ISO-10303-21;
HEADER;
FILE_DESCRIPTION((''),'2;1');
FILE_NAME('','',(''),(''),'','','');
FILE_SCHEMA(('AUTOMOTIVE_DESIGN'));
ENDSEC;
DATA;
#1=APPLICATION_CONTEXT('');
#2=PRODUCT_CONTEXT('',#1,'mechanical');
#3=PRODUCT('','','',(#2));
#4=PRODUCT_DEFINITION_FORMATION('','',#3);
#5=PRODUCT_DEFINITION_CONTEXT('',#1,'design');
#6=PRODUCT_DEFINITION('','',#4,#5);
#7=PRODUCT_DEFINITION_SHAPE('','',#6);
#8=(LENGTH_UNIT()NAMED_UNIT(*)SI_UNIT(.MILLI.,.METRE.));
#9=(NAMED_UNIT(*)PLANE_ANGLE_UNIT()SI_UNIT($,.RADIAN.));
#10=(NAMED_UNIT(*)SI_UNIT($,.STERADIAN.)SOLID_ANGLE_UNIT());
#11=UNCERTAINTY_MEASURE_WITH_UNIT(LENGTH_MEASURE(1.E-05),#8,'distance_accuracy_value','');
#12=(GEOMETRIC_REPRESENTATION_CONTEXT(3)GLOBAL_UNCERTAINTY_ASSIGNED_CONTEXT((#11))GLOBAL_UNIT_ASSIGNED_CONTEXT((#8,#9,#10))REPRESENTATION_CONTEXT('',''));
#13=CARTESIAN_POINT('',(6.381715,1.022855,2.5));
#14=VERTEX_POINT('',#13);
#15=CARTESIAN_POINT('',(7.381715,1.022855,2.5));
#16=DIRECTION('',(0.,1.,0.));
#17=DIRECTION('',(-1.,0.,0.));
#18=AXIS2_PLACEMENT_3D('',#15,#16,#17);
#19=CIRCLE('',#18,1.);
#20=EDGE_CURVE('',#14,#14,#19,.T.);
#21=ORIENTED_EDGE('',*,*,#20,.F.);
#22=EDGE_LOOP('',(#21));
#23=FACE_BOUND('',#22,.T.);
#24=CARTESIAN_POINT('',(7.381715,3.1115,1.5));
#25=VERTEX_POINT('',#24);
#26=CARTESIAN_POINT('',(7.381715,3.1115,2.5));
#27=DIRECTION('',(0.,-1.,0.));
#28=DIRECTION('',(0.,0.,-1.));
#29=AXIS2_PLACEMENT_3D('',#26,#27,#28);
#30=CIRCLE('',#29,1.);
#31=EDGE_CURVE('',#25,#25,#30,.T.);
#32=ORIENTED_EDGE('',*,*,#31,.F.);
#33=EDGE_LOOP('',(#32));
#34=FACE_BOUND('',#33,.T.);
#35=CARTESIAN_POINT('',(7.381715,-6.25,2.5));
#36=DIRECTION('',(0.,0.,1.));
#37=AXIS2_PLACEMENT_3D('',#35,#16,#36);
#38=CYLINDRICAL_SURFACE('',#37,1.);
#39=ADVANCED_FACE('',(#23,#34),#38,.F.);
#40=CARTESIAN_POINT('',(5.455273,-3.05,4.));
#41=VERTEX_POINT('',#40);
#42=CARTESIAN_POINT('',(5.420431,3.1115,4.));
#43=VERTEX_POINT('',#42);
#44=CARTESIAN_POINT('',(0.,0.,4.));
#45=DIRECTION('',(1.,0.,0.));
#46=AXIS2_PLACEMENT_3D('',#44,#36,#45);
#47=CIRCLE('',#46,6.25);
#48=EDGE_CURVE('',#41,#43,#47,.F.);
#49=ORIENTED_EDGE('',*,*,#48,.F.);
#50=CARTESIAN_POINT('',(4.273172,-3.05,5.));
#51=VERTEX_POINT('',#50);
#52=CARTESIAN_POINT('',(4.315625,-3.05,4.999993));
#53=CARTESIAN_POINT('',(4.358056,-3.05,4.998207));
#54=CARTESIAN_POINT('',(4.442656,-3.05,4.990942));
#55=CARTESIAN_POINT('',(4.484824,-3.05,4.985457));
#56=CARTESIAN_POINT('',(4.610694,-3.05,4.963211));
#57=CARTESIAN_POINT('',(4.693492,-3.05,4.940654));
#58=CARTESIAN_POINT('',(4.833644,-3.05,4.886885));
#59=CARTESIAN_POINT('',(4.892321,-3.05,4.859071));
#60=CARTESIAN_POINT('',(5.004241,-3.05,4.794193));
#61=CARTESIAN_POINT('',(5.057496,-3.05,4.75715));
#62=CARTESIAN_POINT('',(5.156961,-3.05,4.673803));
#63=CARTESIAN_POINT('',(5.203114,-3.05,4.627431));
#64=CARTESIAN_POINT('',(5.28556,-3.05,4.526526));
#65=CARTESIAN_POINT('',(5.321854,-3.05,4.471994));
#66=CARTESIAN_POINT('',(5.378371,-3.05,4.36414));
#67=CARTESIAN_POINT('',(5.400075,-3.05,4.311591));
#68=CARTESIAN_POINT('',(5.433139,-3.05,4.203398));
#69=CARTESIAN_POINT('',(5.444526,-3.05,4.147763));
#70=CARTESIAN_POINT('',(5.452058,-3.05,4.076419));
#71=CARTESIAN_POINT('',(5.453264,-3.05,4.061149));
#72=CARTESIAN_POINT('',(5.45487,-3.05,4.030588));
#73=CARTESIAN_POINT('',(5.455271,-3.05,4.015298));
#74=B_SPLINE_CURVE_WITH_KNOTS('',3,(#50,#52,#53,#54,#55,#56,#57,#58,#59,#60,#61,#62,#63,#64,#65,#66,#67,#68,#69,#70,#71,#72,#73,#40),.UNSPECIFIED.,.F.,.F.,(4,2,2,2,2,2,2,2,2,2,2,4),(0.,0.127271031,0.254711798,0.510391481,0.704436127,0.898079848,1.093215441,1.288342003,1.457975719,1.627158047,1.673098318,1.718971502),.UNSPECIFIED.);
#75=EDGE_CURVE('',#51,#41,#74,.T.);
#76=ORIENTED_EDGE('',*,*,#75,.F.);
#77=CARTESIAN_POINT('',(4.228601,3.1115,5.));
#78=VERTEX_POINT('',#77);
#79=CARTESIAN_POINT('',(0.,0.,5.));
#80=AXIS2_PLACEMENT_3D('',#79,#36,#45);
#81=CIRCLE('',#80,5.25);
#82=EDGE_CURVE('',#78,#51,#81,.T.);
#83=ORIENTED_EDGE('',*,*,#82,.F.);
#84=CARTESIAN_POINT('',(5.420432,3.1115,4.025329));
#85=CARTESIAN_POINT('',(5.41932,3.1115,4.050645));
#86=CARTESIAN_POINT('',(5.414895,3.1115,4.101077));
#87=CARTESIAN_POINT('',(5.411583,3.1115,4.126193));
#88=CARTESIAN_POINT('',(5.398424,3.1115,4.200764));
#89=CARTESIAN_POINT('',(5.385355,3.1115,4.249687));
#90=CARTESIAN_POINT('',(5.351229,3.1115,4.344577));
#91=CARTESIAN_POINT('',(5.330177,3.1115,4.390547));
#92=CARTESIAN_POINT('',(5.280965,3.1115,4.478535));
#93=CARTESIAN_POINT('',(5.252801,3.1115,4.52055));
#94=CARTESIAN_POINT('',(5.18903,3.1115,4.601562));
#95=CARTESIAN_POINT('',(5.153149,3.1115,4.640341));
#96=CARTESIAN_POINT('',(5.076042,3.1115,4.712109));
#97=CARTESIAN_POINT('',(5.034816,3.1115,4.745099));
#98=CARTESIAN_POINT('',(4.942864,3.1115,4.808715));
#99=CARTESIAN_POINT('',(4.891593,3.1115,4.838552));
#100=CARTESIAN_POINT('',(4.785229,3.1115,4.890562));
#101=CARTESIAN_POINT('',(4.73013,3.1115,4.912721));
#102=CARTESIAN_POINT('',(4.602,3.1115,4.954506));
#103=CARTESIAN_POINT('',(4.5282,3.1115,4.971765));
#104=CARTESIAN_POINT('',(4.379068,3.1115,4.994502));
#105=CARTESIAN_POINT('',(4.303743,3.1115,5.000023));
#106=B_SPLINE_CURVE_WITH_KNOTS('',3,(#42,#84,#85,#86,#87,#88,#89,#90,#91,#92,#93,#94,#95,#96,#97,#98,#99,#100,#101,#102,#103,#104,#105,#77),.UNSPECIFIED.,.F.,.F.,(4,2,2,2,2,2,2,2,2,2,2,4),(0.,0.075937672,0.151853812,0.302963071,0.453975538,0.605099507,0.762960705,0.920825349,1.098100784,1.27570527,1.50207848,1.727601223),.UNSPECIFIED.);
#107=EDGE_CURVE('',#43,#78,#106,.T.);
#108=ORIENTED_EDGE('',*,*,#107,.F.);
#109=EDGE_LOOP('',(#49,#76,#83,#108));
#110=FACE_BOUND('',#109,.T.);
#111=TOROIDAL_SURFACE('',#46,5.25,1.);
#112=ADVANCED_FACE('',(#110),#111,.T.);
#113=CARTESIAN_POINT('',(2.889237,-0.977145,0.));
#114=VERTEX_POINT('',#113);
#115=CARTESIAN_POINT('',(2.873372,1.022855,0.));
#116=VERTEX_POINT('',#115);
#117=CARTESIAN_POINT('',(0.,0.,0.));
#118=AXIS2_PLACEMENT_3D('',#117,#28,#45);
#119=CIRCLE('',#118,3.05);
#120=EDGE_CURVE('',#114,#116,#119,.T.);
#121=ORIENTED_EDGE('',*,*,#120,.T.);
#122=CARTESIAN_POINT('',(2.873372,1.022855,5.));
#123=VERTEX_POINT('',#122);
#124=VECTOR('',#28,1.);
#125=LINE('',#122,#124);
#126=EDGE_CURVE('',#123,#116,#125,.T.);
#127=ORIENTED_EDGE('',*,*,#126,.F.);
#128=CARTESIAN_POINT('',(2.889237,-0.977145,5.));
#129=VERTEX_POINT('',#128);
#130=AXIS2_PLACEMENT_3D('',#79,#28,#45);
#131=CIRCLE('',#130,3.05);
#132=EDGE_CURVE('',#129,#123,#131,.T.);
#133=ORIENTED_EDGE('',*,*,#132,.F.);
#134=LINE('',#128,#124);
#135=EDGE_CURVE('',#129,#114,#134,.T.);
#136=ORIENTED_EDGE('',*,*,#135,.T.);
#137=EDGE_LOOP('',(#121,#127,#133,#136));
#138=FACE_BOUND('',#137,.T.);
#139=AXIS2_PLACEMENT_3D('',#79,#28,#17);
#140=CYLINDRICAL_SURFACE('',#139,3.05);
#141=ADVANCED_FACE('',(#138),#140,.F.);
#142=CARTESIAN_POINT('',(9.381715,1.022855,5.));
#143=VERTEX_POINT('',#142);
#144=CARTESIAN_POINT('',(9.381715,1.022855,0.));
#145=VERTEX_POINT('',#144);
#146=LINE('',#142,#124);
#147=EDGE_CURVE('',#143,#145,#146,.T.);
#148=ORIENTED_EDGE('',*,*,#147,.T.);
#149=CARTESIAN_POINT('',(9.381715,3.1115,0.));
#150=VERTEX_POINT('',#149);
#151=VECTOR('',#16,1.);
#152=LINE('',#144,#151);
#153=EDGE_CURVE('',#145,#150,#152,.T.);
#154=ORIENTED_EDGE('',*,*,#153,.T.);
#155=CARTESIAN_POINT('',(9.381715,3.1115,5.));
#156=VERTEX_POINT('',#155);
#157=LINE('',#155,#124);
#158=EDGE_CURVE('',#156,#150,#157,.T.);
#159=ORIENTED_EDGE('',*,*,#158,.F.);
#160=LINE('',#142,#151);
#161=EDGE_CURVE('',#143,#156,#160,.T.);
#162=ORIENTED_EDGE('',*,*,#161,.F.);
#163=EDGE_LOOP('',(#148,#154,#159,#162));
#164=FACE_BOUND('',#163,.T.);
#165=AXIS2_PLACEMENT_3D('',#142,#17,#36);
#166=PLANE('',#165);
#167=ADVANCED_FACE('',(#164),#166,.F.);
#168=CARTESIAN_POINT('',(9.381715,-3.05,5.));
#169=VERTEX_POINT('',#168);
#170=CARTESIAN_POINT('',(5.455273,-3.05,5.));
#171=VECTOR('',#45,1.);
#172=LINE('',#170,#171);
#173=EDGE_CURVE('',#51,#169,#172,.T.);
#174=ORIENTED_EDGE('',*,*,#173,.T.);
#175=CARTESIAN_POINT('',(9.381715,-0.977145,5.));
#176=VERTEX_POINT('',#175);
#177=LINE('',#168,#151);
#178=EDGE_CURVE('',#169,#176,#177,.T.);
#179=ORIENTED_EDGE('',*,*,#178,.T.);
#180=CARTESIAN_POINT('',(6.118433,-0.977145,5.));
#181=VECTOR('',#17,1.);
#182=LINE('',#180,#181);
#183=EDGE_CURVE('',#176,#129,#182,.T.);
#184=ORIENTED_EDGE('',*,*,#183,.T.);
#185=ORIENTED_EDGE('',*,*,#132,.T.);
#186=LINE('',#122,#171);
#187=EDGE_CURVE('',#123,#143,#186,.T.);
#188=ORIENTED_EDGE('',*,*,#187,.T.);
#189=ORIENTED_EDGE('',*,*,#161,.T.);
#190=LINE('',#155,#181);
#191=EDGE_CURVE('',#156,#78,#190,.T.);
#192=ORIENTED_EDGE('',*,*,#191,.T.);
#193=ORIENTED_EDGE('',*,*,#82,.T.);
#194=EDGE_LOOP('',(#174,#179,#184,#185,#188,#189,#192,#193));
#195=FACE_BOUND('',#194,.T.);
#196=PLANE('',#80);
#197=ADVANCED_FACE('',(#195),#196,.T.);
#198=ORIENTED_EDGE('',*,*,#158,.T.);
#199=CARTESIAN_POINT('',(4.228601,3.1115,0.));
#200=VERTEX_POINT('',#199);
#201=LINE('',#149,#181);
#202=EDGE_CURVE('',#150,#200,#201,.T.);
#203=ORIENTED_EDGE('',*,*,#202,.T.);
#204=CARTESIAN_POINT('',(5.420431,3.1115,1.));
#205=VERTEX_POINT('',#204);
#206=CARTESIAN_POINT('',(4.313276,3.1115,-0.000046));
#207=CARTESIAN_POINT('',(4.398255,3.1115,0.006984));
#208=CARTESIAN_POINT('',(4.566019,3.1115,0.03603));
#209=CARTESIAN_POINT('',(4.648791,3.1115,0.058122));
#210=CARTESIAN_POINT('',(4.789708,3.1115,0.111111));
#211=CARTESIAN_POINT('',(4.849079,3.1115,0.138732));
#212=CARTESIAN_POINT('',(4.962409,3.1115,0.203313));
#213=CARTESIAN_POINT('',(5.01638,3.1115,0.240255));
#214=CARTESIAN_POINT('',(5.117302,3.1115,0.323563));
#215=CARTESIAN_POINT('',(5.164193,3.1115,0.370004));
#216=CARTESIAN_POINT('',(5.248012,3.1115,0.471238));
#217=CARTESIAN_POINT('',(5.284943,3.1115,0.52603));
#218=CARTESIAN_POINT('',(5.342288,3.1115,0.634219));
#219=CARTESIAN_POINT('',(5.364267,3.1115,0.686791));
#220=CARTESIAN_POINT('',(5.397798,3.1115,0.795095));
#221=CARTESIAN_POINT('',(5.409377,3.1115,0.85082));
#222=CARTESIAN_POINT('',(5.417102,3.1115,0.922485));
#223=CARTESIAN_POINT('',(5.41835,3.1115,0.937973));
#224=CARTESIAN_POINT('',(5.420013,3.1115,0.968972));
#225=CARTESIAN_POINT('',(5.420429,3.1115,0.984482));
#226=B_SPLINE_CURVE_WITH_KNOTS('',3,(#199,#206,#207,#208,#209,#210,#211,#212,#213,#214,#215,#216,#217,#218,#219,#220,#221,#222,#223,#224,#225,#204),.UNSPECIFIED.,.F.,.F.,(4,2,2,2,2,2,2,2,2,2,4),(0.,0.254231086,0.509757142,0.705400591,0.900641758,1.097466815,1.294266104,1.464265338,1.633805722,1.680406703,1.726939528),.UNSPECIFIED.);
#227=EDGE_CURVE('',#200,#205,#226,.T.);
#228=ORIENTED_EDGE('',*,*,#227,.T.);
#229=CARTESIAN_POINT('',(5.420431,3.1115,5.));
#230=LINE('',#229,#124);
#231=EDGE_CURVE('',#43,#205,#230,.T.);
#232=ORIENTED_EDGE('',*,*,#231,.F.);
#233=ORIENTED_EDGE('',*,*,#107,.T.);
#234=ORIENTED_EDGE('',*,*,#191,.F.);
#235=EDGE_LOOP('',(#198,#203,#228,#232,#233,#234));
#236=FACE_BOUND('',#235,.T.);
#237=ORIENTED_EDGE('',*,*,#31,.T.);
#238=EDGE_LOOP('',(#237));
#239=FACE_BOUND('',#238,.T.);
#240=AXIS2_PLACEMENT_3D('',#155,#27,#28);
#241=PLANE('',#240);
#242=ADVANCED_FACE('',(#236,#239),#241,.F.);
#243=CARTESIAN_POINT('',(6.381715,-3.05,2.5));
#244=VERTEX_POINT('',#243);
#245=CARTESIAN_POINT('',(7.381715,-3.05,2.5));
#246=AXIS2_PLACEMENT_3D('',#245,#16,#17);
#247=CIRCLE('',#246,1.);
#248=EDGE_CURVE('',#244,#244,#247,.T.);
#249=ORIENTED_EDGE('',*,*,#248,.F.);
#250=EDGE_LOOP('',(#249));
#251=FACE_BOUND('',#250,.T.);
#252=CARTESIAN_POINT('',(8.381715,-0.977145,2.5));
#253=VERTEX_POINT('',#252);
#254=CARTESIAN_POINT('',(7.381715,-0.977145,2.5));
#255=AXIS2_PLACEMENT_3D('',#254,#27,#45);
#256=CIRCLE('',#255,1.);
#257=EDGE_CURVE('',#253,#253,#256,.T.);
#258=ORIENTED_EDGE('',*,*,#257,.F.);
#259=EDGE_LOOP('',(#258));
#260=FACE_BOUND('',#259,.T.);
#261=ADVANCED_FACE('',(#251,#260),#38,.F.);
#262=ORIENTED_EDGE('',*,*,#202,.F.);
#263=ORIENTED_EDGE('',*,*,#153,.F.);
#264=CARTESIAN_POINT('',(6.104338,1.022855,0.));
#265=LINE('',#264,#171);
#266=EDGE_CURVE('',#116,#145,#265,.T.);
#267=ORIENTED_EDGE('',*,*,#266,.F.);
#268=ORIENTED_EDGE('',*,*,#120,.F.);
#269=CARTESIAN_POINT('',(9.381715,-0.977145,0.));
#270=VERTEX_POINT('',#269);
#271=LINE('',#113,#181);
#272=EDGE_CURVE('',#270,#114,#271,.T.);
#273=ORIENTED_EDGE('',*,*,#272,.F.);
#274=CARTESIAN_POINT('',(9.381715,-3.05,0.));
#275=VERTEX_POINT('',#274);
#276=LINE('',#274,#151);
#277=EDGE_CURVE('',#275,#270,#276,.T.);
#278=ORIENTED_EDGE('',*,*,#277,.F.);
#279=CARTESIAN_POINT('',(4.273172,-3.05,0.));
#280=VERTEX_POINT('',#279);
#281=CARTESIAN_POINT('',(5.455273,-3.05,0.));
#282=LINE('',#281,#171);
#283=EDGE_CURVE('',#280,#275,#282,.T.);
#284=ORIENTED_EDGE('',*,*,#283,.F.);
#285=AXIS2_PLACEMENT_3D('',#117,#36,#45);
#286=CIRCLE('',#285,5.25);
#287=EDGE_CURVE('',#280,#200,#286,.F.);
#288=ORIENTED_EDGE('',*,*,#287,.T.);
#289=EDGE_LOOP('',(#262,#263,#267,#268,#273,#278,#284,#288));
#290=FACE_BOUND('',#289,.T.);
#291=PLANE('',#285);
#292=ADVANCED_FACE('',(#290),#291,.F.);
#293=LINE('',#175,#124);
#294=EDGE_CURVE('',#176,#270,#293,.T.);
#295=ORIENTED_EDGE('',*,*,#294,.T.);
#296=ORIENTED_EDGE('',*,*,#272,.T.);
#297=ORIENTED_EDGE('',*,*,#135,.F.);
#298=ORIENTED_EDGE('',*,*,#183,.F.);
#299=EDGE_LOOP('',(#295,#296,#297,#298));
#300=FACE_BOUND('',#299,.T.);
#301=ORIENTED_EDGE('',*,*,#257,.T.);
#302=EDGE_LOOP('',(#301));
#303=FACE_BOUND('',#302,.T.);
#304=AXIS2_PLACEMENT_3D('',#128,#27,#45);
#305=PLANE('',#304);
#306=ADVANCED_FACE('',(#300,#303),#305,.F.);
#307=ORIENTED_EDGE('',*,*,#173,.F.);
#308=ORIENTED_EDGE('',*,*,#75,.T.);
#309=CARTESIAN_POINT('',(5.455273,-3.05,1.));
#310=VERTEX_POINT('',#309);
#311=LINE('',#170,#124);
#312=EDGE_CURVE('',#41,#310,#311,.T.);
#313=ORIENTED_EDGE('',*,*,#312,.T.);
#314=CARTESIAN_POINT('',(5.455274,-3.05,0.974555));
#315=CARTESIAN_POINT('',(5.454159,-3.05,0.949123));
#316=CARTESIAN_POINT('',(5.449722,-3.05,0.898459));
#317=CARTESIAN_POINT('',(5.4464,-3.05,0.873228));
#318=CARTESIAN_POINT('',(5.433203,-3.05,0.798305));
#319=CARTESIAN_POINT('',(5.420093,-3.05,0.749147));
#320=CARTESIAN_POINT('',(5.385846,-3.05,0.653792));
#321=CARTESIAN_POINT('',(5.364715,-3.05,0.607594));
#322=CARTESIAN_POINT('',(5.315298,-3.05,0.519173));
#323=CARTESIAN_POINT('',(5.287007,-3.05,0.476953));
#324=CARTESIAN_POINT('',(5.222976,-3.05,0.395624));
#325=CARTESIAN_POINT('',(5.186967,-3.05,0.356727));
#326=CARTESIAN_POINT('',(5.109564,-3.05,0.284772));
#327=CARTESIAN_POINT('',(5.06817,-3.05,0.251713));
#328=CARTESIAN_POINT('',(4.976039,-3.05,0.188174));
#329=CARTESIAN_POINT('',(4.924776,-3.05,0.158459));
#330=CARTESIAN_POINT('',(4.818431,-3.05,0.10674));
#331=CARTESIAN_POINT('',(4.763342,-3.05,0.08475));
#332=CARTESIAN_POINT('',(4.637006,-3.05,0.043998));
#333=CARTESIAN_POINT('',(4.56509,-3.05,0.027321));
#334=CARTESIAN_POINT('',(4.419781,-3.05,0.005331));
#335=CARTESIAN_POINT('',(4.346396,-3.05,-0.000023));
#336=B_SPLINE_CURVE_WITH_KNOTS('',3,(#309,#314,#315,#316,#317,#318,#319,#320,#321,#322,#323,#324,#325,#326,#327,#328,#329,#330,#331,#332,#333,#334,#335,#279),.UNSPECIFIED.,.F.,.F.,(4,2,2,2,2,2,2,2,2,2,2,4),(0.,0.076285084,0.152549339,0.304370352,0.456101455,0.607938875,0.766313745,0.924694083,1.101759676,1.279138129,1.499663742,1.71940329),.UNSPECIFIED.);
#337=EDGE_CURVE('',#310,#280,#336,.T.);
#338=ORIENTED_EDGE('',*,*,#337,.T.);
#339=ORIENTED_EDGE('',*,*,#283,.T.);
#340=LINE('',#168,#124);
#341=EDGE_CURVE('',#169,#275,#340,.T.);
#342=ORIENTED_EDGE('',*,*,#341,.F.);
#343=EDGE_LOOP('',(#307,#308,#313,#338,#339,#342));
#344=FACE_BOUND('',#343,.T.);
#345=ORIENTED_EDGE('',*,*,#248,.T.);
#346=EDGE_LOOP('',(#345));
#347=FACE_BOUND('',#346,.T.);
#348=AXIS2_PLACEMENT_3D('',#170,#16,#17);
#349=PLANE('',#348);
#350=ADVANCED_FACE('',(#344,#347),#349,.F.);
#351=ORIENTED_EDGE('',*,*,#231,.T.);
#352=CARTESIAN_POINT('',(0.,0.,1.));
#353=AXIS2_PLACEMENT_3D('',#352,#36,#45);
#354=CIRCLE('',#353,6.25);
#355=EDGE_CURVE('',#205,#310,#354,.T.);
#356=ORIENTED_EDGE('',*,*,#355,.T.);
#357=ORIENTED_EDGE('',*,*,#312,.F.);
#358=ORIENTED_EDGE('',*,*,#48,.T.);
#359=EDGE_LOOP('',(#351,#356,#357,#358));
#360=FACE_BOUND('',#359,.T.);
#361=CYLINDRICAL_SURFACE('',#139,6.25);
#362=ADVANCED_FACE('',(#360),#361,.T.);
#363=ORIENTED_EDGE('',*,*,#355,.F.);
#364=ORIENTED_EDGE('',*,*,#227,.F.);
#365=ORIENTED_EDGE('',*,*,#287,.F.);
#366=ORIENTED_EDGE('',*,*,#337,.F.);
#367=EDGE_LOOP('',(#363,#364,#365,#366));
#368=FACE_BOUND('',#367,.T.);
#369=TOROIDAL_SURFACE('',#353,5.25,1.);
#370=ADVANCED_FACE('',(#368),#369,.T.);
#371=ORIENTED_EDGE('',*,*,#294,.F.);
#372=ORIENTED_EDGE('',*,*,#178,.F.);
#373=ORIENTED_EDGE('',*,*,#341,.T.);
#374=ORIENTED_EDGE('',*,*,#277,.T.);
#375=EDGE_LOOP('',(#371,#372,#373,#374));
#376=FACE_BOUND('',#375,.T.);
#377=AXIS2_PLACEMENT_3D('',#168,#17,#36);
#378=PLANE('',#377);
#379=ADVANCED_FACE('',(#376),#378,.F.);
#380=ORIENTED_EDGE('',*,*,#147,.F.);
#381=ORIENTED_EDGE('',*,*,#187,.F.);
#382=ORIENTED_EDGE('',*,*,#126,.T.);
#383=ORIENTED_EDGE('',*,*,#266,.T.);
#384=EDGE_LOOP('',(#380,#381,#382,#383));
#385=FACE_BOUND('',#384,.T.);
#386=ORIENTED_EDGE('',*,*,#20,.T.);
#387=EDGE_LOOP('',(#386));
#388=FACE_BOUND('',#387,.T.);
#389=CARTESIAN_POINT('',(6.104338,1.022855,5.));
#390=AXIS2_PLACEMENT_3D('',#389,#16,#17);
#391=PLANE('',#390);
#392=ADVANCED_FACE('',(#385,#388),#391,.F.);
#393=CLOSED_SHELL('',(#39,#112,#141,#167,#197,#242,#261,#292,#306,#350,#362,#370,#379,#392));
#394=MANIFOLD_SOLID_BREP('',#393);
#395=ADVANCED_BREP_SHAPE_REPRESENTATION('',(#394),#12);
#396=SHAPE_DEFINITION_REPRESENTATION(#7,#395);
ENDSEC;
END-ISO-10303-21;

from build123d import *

# Parameters (mm, degrees)
BOSS_EXTRUDE1_DEPTH     = 5
FILLET3_R               = 1
FILLET4_R               = 1
CUT_EXTRUDE1_DEPTH      = 13.854889966
CUT_EXTRUDE1_DEPTH_BACK = 13.854889966
SKETCH2_R               = 1


with BuildPart() as part:
    # Sketch1 → Boss-Extrude1 (new body)
    with BuildSketch(Plane(origin=(0, 0, 0), x_dir=(0, 1, 0), z_dir=(0, 0, 1))):
        with BuildLine():
            Line((-0.977144637, -2.88923664), (-0.977144637, -6.118433409))
            Line((-0.977144637, -6.118433409), (-0.977144637, -9.381714775))
            Line((-0.977144637, -9.381714775), (-3.05, -9.381714775))
            Line((-3.05, -9.381714775), (-3.05, -5.455272679))
            ThreePointArc((-3.05, -5.455272679), (-0.035341977, 6.249900075), (3.1115, -5.420430587))
            Line((3.1115, -5.420430587), (3.1115, -9.381714775))
            Line((3.1115, -9.381714775), (1.022855363, -9.381714775))
            Line((1.022855363, -9.381714775), (1.022855363, -6.104337812))
            Line((1.022855363, -6.104337812), (1.022855363, -2.873372044))
            ThreePointArc((1.022855363, -2.873372044), (-0.024192746, 3.049904049), (-0.977144637, -2.88923664))
        make_face()
    extrude(amount=BOSS_EXTRUDE1_DEPTH)

    # Fillet3
    fillet3_edges = [part.edges().sort_by_distance(p)[0] for p in [
        (-6.249900075, -0.035341977, 5),
    ]]
    fillet(fillet3_edges, radius=FILLET3_R)

    # Fillet4
    fillet4_edges = [part.edges().sort_by_distance(p)[0] for p in [
        (-6.249900075, -0.035341977, 0),
    ]]
    fillet(fillet4_edges, radius=FILLET4_R)

    # Sketch2 → Cut-Extrude1 (cut, two sides: drawn at the far end of the back side and taken through both)
    with BuildSketch(Plane(origin=(0, -0.977144637, 0), x_dir=(-1, 0, 0), z_dir=(0, 1, 0)).offset(-CUT_EXTRUDE1_DEPTH_BACK)):
        with Locations(Location((-7.381714775, 2.5, 0), (0, 0, 180))):
            Circle(SKETCH2_R)
    extrude(amount=CUT_EXTRUDE1_DEPTH + CUT_EXTRUDE1_DEPTH_BACK, mode=Mode.SUBTRACT)


solid = part.part
